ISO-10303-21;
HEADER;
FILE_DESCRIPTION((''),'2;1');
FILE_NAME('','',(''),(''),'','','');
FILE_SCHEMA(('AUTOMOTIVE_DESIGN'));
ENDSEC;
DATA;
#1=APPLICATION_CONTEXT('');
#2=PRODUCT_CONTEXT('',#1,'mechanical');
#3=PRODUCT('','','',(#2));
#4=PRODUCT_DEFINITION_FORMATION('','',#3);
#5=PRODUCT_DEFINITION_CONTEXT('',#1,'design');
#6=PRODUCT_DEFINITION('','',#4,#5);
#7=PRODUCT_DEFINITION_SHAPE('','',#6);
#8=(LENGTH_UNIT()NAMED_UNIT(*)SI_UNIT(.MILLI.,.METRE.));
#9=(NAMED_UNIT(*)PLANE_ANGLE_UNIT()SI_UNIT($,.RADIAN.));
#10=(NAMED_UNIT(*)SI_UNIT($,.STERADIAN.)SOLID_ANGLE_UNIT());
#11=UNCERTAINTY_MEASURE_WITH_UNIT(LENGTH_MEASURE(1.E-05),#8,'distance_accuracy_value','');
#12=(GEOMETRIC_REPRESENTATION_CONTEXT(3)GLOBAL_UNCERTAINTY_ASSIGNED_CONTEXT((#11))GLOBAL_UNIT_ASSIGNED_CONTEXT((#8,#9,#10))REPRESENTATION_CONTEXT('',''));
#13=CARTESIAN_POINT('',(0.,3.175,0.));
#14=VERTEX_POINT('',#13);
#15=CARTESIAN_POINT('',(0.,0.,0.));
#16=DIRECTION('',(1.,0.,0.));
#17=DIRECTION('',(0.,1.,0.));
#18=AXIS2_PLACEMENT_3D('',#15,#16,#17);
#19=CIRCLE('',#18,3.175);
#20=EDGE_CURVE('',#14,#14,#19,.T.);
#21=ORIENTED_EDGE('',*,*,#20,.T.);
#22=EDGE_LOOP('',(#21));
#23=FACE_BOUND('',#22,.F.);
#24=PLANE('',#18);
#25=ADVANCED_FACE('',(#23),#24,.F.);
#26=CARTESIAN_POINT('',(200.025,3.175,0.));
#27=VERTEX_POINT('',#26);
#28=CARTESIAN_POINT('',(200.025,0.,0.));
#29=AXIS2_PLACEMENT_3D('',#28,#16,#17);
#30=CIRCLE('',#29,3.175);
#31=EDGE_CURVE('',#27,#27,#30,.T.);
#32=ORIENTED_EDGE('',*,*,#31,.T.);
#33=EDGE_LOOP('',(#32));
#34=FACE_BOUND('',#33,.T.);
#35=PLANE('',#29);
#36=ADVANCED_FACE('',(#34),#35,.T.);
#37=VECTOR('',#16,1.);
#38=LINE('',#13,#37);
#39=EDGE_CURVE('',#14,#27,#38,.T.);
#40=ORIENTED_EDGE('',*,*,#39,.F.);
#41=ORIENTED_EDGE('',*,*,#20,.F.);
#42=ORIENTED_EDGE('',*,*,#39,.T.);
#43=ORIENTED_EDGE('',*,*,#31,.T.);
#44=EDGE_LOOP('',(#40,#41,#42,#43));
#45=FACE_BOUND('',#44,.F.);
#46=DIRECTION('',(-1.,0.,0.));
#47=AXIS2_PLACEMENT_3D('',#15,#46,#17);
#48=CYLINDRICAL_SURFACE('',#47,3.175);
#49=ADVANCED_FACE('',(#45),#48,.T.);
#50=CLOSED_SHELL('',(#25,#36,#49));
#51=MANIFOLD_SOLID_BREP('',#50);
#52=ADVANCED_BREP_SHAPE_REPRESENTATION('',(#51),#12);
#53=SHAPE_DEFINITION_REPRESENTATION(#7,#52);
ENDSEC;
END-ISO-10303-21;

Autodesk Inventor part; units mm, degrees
ref_plane "YZ Plane" through (0, 0, 0) normal (1, 0, 0) x (0, 1, 0)
ref_plane "XZ Plane" through (0, 0, 0) normal (0, 1, 0) x (-1, 0, 0)
ref_plane "XY Plane" through (0, 0, 0) normal (0, 0, 1) x (1, 0, 0)
sketch "Sketch1" plane through (0, 0, 0) normal (1, 0, 0) x (0, 1, 0)
  circle A0 centre (0, 0) radius 3.175
  dimension "d0" = 6.35
extrude "Extrusion1" add sketch "Sketch1" along normal blind 200.025
thread "Thread1" size "1/4-20 UNC" class "2A" standard "ANSI Unified Screw Threads" full length
properties part number "15102898-16-P-0404"
